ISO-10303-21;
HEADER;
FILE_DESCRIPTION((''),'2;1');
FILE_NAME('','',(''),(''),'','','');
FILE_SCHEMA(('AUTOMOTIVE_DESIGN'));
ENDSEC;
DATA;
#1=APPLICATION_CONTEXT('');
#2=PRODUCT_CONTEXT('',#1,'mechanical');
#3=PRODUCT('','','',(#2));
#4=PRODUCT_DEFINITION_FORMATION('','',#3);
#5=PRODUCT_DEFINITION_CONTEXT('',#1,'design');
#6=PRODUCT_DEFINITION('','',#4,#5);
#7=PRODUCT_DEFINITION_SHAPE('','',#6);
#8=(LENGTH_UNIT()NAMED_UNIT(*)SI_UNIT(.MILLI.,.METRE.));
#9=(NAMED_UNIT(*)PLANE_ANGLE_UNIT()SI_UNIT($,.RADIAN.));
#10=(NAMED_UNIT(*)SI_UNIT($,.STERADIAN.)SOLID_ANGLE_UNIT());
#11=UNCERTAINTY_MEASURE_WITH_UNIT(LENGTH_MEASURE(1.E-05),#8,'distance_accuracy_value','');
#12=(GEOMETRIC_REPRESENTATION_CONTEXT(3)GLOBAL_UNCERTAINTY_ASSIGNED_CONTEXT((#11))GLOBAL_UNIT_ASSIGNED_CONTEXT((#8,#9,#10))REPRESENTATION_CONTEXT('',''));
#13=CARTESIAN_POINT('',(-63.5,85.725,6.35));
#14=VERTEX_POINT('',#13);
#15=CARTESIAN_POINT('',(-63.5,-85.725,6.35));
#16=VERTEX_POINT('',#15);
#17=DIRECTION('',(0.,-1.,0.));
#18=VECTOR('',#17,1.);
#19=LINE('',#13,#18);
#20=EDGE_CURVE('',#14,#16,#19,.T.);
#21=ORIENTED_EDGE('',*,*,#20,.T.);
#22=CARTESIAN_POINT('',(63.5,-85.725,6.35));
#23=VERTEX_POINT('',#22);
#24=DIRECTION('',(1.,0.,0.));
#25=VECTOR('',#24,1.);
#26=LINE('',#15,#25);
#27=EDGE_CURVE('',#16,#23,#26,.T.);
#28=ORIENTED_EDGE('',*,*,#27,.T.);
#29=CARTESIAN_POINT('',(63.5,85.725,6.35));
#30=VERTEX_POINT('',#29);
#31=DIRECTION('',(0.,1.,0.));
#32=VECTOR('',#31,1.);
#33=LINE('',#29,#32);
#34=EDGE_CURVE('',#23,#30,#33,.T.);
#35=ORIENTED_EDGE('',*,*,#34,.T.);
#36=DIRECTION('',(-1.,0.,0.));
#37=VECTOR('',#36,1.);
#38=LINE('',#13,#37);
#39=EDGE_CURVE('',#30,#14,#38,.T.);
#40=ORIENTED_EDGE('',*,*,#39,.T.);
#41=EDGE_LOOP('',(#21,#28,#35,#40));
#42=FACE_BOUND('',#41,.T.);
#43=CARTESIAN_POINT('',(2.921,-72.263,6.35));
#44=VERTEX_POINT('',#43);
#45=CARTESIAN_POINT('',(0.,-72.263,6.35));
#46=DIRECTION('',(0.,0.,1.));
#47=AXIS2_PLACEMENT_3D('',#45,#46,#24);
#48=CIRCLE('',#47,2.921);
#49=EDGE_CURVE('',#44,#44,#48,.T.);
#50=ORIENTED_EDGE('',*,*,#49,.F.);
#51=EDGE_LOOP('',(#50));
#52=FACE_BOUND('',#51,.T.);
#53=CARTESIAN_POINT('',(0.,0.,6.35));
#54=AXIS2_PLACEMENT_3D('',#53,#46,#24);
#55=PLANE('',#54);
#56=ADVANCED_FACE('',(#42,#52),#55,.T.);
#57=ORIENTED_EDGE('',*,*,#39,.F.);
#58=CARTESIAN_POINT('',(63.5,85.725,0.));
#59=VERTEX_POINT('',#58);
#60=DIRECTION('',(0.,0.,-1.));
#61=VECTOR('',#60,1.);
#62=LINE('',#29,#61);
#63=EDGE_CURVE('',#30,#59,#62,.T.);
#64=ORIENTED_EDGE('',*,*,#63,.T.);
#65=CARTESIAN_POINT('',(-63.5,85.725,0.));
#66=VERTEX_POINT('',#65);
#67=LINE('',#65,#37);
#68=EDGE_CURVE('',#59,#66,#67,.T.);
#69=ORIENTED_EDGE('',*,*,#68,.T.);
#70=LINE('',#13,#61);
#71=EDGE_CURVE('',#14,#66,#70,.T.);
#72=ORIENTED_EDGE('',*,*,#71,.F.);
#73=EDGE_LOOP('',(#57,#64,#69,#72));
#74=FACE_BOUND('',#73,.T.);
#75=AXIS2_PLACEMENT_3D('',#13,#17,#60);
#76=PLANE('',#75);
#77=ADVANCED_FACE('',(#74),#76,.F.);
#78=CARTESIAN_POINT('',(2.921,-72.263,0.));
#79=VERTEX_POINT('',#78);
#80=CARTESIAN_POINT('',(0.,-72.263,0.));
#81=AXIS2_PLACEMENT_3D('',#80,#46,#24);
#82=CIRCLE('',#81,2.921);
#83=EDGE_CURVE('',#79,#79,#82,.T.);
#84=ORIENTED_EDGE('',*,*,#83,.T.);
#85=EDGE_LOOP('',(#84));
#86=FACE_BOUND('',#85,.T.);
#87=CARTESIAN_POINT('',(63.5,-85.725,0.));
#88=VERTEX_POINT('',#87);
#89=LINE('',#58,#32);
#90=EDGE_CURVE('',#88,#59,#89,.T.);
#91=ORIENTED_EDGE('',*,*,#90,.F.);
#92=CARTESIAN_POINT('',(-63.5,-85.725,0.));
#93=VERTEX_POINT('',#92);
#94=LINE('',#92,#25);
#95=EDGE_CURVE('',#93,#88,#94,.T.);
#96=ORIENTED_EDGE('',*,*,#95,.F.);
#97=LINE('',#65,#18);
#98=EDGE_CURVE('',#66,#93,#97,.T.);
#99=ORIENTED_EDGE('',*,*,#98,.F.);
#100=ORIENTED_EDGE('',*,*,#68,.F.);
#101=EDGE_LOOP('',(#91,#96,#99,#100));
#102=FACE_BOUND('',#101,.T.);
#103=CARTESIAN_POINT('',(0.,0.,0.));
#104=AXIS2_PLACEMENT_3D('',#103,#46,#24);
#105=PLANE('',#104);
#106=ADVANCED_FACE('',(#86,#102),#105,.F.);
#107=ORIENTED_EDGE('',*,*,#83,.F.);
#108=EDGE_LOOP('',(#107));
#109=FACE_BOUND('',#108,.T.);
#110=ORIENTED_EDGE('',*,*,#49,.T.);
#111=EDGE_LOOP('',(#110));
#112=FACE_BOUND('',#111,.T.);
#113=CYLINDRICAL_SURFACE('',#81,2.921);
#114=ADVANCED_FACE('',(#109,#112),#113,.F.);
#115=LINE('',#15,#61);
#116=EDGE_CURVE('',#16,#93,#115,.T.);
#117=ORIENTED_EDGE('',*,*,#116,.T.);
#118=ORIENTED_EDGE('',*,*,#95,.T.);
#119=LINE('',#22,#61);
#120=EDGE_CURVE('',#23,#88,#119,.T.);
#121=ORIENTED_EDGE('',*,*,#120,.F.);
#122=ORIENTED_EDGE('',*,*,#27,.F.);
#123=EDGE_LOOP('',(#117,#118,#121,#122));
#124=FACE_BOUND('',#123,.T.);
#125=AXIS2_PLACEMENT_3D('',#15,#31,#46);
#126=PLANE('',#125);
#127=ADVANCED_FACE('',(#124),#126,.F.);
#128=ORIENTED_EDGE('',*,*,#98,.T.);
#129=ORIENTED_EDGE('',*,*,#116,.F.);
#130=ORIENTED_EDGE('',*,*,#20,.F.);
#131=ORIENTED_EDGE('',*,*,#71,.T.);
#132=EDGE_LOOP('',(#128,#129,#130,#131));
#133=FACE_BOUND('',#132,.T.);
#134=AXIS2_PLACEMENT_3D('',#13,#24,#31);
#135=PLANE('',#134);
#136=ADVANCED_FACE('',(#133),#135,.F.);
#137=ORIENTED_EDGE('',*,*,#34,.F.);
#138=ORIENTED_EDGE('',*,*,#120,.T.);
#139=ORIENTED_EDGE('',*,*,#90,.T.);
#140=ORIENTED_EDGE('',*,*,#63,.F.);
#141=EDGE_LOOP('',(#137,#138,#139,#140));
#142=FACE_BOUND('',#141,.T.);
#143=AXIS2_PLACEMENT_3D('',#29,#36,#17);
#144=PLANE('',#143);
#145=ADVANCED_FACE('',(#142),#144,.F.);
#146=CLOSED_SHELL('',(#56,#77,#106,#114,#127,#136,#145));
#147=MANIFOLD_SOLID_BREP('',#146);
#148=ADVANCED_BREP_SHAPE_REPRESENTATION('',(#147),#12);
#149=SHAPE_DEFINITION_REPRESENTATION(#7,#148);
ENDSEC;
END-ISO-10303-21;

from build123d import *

# Parameters (mm, degrees)
SKETCH1_W           = 127
SKETCH1_H           = 171.45
BOSS_EXTRUDE1_DEPTH = 6.35
SKETCH2_R           = 2.921
CUT_EXTRUDE1_DEPTH  = 107.870707516


with BuildPart() as part:
    # Sketch1 → Boss-Extrude1 (new body)
    with BuildSketch(Plane.XY):
        Rectangle(SKETCH1_W, SKETCH1_H)
    extrude(amount=BOSS_EXTRUDE1_DEPTH)

    # Sketch2 → Cut-Extrude1 (cut, through all)
    with BuildSketch(Plane.XY.offset(6.35)):
        with Locations((0, -72.263)):
            Circle(SKETCH2_R)
    extrude(amount=-CUT_EXTRUDE1_DEPTH, mode=Mode.SUBTRACT)


solid = part.part
